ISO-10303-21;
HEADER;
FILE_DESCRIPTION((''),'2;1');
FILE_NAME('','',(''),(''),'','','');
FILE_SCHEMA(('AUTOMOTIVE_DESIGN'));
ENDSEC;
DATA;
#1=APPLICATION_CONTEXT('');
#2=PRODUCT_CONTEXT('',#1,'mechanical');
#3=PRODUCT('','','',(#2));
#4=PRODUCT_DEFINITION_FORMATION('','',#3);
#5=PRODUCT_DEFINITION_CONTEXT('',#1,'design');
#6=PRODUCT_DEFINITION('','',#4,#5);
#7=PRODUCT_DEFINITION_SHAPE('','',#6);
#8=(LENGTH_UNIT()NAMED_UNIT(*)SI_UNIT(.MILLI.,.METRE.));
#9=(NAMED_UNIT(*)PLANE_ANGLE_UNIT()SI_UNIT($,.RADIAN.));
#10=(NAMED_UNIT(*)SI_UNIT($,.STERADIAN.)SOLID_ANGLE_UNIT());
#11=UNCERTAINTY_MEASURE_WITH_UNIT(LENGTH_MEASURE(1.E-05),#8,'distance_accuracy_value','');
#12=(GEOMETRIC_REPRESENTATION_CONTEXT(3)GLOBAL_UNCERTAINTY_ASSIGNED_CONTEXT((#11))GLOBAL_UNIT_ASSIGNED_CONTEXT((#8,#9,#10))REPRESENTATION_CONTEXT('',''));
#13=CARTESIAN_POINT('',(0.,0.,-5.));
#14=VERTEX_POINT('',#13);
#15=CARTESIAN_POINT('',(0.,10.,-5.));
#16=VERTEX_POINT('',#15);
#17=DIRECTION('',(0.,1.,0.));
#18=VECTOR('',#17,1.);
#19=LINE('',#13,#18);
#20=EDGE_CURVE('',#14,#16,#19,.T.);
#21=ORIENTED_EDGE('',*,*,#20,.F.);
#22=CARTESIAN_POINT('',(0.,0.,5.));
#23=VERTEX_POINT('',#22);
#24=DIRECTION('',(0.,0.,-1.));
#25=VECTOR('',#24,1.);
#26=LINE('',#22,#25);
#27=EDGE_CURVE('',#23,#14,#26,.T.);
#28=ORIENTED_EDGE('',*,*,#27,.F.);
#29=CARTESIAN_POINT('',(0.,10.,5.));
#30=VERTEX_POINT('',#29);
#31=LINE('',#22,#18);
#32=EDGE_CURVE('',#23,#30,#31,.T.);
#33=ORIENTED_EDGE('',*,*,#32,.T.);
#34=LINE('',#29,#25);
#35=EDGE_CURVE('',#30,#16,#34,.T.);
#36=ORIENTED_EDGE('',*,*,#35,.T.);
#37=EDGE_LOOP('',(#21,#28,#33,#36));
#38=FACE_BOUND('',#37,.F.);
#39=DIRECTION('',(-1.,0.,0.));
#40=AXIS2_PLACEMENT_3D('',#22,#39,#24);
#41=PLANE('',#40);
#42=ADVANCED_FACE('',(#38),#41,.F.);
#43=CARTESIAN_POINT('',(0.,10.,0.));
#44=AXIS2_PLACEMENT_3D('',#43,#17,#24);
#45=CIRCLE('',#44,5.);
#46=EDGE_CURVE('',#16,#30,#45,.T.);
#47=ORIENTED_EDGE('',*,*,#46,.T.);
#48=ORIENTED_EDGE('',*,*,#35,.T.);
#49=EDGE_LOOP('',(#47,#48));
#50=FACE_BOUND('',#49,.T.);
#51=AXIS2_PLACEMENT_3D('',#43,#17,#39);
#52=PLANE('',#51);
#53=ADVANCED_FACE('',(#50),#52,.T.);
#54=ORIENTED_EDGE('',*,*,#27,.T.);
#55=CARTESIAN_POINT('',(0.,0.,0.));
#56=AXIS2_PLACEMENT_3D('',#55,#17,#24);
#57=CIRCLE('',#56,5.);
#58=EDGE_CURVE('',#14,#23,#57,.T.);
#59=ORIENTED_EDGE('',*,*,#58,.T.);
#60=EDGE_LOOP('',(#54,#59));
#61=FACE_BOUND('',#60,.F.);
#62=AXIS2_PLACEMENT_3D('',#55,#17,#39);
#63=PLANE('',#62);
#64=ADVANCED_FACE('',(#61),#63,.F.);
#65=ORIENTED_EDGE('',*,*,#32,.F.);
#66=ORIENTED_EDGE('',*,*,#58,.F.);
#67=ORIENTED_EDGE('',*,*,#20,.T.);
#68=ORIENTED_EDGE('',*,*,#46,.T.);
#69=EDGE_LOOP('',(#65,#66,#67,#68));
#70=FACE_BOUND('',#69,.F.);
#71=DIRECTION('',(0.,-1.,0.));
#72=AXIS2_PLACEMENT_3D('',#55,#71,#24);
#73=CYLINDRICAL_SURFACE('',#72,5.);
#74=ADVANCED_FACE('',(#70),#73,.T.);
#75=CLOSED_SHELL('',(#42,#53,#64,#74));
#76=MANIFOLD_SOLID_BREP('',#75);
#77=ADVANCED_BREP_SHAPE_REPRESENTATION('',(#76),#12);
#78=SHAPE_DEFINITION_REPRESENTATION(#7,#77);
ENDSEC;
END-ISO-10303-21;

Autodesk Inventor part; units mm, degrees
ref_plane "YZ Plane" through (0, 0, 0) normal (1, 0, 0) x (0, 1, 0)
ref_plane "XZ Plane" through (0, 0, 0) normal (0, 1, 0) x (-1, 0, 0)
ref_plane "XY Plane" through (0, 0, 0) normal (0, 0, 1) x (1, 0, 0)
sketch "Sketch1" plane through (0, 0, 0) normal (0, 1, 0) x (-1, 0, 0)
  arc A0 (0, -5) -> (0, 5) centre (0, 0) ccw
  line L0 (0, 5) -> (0, -5)
  dimension "d0" = 10
extrude "Extrusion1" add sketch "Sketch1" along normal blind 10
properties part number "10mm_radius_mold"
